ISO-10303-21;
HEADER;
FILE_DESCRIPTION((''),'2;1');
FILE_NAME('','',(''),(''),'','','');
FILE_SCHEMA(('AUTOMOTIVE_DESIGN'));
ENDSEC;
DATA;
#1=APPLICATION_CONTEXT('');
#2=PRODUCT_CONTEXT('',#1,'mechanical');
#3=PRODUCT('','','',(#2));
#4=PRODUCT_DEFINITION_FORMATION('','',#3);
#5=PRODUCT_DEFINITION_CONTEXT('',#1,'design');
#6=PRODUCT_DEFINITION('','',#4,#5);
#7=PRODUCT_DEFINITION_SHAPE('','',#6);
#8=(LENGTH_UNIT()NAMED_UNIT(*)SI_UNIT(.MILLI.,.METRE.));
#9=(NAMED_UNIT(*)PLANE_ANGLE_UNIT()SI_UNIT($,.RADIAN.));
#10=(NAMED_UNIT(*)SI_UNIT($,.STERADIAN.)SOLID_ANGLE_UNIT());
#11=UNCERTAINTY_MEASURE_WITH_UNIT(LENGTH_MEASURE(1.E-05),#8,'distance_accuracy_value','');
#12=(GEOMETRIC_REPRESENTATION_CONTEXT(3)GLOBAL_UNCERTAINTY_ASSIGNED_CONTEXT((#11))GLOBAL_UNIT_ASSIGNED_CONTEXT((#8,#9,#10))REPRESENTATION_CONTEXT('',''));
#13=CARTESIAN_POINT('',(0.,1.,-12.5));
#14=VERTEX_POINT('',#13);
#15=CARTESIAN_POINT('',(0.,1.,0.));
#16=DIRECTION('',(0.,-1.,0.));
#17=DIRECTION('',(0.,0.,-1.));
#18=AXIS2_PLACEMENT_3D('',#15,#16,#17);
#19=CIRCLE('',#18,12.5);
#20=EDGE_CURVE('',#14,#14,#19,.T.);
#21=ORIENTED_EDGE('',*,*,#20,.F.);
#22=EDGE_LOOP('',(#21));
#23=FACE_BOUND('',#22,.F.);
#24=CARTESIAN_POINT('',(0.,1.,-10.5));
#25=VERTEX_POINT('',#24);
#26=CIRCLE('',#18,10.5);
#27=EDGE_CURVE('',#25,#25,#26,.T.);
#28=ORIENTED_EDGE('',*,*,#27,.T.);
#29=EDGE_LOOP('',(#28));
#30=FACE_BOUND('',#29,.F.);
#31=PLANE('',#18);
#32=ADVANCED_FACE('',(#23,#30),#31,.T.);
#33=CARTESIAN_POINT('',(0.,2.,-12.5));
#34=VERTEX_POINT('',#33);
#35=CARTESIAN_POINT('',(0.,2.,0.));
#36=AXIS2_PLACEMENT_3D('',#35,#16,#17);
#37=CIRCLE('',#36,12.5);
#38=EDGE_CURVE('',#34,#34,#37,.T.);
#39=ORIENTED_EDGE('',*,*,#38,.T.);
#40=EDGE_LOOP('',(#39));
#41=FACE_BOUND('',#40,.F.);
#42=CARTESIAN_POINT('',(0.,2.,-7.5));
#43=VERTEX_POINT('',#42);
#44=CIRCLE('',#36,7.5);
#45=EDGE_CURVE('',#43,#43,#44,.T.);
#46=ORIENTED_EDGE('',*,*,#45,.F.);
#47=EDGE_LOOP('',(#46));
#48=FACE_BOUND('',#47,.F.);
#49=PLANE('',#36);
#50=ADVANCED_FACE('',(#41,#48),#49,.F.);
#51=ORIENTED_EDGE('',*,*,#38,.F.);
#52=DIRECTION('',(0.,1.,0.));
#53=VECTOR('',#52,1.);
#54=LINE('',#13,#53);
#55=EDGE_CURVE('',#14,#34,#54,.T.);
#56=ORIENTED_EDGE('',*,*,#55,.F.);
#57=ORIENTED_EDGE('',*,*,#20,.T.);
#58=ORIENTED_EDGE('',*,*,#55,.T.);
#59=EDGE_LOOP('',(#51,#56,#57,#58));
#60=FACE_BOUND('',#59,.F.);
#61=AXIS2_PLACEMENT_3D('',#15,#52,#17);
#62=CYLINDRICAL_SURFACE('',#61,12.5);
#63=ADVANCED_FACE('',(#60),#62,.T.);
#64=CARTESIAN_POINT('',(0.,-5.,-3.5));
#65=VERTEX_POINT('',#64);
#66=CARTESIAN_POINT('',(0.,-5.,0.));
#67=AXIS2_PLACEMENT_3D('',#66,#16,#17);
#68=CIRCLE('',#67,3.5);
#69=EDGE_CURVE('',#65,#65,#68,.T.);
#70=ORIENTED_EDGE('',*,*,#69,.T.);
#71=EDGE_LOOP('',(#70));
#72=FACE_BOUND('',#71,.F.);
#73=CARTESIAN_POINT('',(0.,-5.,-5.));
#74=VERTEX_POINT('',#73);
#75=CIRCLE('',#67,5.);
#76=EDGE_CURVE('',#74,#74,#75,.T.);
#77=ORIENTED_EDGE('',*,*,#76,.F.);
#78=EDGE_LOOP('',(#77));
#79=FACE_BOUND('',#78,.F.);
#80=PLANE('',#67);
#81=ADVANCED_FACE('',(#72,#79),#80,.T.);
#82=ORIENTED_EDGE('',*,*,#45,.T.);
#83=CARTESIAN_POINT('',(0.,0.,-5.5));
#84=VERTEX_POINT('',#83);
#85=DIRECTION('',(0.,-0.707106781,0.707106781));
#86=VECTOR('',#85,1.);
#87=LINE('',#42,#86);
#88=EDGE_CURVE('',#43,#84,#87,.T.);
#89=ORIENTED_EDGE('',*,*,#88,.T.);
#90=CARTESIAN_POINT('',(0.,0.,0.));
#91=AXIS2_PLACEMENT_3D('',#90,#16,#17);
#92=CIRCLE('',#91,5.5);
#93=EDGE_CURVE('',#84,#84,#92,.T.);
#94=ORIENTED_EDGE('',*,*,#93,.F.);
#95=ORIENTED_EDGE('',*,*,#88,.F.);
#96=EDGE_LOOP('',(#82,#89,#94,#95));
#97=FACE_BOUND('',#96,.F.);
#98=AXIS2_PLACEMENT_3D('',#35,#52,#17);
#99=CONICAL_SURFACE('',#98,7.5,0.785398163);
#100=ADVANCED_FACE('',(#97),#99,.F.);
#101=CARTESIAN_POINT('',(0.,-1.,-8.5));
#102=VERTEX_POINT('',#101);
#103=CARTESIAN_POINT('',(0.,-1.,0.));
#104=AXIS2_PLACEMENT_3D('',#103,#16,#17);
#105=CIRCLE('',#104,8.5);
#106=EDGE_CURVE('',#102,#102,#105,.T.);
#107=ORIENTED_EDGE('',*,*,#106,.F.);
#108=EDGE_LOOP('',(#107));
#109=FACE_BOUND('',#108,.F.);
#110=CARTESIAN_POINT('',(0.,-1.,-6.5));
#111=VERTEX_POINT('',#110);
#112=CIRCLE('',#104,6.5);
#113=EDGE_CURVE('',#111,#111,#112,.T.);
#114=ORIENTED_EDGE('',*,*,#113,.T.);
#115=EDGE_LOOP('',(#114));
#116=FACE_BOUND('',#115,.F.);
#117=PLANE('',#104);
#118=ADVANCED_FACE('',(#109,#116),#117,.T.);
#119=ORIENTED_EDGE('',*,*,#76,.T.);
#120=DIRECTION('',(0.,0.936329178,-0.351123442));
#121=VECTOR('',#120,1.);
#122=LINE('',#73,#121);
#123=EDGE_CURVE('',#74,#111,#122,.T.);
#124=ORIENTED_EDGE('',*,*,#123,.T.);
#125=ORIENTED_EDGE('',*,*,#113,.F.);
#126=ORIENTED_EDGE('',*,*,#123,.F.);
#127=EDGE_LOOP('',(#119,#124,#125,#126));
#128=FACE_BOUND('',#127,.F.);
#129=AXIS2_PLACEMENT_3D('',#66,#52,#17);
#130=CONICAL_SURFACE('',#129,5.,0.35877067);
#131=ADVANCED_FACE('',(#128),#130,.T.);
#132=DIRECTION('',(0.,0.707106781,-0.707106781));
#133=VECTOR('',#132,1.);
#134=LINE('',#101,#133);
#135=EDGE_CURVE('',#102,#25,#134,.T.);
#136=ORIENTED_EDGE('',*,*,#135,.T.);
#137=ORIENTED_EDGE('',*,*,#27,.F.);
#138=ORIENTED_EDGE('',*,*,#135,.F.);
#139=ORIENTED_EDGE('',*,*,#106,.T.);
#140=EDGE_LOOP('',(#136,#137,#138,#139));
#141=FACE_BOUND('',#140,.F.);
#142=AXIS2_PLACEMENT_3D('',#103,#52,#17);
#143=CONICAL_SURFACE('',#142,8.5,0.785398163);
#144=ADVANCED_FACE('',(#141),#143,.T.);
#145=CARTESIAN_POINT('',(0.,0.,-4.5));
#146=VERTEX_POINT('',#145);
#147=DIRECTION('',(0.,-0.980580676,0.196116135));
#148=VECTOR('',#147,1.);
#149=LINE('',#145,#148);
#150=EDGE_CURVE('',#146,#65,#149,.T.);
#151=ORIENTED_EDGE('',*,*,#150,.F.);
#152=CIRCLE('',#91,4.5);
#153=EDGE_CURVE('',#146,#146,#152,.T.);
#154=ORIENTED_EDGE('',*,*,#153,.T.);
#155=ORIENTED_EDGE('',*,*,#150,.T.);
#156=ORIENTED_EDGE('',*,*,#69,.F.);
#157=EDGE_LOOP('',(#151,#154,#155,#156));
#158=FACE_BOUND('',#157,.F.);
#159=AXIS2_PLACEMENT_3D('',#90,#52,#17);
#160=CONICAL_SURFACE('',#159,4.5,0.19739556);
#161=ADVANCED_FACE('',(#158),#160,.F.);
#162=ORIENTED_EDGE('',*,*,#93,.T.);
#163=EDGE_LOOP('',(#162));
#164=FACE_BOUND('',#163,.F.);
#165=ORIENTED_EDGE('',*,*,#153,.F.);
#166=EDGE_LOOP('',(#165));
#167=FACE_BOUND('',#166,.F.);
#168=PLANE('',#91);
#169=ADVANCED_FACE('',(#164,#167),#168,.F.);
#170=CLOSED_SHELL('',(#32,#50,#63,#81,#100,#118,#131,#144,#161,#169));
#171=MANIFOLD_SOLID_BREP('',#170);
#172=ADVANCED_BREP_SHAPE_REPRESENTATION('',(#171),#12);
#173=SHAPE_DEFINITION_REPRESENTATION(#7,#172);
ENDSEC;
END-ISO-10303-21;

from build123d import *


with BuildPart() as part:
    # Sketch1 → Revolve1 (revolve)
    with BuildSketch(Plane(origin=(0, 0, 0), x_dir=(0, 0, -1), z_dir=(1, 0, 0))):
        Polygon((4.5, 0), (3.5, -5), (5, -5), (6.5, -1), (8.5, -1), (10.5, 1), (12.5, 1), (12.5, 2), (7.5, 2), (5.5, 0), align=None)
    revolve(axis=Axis((0, 0, 0), (0, -1, 0)))


solid = part.part
